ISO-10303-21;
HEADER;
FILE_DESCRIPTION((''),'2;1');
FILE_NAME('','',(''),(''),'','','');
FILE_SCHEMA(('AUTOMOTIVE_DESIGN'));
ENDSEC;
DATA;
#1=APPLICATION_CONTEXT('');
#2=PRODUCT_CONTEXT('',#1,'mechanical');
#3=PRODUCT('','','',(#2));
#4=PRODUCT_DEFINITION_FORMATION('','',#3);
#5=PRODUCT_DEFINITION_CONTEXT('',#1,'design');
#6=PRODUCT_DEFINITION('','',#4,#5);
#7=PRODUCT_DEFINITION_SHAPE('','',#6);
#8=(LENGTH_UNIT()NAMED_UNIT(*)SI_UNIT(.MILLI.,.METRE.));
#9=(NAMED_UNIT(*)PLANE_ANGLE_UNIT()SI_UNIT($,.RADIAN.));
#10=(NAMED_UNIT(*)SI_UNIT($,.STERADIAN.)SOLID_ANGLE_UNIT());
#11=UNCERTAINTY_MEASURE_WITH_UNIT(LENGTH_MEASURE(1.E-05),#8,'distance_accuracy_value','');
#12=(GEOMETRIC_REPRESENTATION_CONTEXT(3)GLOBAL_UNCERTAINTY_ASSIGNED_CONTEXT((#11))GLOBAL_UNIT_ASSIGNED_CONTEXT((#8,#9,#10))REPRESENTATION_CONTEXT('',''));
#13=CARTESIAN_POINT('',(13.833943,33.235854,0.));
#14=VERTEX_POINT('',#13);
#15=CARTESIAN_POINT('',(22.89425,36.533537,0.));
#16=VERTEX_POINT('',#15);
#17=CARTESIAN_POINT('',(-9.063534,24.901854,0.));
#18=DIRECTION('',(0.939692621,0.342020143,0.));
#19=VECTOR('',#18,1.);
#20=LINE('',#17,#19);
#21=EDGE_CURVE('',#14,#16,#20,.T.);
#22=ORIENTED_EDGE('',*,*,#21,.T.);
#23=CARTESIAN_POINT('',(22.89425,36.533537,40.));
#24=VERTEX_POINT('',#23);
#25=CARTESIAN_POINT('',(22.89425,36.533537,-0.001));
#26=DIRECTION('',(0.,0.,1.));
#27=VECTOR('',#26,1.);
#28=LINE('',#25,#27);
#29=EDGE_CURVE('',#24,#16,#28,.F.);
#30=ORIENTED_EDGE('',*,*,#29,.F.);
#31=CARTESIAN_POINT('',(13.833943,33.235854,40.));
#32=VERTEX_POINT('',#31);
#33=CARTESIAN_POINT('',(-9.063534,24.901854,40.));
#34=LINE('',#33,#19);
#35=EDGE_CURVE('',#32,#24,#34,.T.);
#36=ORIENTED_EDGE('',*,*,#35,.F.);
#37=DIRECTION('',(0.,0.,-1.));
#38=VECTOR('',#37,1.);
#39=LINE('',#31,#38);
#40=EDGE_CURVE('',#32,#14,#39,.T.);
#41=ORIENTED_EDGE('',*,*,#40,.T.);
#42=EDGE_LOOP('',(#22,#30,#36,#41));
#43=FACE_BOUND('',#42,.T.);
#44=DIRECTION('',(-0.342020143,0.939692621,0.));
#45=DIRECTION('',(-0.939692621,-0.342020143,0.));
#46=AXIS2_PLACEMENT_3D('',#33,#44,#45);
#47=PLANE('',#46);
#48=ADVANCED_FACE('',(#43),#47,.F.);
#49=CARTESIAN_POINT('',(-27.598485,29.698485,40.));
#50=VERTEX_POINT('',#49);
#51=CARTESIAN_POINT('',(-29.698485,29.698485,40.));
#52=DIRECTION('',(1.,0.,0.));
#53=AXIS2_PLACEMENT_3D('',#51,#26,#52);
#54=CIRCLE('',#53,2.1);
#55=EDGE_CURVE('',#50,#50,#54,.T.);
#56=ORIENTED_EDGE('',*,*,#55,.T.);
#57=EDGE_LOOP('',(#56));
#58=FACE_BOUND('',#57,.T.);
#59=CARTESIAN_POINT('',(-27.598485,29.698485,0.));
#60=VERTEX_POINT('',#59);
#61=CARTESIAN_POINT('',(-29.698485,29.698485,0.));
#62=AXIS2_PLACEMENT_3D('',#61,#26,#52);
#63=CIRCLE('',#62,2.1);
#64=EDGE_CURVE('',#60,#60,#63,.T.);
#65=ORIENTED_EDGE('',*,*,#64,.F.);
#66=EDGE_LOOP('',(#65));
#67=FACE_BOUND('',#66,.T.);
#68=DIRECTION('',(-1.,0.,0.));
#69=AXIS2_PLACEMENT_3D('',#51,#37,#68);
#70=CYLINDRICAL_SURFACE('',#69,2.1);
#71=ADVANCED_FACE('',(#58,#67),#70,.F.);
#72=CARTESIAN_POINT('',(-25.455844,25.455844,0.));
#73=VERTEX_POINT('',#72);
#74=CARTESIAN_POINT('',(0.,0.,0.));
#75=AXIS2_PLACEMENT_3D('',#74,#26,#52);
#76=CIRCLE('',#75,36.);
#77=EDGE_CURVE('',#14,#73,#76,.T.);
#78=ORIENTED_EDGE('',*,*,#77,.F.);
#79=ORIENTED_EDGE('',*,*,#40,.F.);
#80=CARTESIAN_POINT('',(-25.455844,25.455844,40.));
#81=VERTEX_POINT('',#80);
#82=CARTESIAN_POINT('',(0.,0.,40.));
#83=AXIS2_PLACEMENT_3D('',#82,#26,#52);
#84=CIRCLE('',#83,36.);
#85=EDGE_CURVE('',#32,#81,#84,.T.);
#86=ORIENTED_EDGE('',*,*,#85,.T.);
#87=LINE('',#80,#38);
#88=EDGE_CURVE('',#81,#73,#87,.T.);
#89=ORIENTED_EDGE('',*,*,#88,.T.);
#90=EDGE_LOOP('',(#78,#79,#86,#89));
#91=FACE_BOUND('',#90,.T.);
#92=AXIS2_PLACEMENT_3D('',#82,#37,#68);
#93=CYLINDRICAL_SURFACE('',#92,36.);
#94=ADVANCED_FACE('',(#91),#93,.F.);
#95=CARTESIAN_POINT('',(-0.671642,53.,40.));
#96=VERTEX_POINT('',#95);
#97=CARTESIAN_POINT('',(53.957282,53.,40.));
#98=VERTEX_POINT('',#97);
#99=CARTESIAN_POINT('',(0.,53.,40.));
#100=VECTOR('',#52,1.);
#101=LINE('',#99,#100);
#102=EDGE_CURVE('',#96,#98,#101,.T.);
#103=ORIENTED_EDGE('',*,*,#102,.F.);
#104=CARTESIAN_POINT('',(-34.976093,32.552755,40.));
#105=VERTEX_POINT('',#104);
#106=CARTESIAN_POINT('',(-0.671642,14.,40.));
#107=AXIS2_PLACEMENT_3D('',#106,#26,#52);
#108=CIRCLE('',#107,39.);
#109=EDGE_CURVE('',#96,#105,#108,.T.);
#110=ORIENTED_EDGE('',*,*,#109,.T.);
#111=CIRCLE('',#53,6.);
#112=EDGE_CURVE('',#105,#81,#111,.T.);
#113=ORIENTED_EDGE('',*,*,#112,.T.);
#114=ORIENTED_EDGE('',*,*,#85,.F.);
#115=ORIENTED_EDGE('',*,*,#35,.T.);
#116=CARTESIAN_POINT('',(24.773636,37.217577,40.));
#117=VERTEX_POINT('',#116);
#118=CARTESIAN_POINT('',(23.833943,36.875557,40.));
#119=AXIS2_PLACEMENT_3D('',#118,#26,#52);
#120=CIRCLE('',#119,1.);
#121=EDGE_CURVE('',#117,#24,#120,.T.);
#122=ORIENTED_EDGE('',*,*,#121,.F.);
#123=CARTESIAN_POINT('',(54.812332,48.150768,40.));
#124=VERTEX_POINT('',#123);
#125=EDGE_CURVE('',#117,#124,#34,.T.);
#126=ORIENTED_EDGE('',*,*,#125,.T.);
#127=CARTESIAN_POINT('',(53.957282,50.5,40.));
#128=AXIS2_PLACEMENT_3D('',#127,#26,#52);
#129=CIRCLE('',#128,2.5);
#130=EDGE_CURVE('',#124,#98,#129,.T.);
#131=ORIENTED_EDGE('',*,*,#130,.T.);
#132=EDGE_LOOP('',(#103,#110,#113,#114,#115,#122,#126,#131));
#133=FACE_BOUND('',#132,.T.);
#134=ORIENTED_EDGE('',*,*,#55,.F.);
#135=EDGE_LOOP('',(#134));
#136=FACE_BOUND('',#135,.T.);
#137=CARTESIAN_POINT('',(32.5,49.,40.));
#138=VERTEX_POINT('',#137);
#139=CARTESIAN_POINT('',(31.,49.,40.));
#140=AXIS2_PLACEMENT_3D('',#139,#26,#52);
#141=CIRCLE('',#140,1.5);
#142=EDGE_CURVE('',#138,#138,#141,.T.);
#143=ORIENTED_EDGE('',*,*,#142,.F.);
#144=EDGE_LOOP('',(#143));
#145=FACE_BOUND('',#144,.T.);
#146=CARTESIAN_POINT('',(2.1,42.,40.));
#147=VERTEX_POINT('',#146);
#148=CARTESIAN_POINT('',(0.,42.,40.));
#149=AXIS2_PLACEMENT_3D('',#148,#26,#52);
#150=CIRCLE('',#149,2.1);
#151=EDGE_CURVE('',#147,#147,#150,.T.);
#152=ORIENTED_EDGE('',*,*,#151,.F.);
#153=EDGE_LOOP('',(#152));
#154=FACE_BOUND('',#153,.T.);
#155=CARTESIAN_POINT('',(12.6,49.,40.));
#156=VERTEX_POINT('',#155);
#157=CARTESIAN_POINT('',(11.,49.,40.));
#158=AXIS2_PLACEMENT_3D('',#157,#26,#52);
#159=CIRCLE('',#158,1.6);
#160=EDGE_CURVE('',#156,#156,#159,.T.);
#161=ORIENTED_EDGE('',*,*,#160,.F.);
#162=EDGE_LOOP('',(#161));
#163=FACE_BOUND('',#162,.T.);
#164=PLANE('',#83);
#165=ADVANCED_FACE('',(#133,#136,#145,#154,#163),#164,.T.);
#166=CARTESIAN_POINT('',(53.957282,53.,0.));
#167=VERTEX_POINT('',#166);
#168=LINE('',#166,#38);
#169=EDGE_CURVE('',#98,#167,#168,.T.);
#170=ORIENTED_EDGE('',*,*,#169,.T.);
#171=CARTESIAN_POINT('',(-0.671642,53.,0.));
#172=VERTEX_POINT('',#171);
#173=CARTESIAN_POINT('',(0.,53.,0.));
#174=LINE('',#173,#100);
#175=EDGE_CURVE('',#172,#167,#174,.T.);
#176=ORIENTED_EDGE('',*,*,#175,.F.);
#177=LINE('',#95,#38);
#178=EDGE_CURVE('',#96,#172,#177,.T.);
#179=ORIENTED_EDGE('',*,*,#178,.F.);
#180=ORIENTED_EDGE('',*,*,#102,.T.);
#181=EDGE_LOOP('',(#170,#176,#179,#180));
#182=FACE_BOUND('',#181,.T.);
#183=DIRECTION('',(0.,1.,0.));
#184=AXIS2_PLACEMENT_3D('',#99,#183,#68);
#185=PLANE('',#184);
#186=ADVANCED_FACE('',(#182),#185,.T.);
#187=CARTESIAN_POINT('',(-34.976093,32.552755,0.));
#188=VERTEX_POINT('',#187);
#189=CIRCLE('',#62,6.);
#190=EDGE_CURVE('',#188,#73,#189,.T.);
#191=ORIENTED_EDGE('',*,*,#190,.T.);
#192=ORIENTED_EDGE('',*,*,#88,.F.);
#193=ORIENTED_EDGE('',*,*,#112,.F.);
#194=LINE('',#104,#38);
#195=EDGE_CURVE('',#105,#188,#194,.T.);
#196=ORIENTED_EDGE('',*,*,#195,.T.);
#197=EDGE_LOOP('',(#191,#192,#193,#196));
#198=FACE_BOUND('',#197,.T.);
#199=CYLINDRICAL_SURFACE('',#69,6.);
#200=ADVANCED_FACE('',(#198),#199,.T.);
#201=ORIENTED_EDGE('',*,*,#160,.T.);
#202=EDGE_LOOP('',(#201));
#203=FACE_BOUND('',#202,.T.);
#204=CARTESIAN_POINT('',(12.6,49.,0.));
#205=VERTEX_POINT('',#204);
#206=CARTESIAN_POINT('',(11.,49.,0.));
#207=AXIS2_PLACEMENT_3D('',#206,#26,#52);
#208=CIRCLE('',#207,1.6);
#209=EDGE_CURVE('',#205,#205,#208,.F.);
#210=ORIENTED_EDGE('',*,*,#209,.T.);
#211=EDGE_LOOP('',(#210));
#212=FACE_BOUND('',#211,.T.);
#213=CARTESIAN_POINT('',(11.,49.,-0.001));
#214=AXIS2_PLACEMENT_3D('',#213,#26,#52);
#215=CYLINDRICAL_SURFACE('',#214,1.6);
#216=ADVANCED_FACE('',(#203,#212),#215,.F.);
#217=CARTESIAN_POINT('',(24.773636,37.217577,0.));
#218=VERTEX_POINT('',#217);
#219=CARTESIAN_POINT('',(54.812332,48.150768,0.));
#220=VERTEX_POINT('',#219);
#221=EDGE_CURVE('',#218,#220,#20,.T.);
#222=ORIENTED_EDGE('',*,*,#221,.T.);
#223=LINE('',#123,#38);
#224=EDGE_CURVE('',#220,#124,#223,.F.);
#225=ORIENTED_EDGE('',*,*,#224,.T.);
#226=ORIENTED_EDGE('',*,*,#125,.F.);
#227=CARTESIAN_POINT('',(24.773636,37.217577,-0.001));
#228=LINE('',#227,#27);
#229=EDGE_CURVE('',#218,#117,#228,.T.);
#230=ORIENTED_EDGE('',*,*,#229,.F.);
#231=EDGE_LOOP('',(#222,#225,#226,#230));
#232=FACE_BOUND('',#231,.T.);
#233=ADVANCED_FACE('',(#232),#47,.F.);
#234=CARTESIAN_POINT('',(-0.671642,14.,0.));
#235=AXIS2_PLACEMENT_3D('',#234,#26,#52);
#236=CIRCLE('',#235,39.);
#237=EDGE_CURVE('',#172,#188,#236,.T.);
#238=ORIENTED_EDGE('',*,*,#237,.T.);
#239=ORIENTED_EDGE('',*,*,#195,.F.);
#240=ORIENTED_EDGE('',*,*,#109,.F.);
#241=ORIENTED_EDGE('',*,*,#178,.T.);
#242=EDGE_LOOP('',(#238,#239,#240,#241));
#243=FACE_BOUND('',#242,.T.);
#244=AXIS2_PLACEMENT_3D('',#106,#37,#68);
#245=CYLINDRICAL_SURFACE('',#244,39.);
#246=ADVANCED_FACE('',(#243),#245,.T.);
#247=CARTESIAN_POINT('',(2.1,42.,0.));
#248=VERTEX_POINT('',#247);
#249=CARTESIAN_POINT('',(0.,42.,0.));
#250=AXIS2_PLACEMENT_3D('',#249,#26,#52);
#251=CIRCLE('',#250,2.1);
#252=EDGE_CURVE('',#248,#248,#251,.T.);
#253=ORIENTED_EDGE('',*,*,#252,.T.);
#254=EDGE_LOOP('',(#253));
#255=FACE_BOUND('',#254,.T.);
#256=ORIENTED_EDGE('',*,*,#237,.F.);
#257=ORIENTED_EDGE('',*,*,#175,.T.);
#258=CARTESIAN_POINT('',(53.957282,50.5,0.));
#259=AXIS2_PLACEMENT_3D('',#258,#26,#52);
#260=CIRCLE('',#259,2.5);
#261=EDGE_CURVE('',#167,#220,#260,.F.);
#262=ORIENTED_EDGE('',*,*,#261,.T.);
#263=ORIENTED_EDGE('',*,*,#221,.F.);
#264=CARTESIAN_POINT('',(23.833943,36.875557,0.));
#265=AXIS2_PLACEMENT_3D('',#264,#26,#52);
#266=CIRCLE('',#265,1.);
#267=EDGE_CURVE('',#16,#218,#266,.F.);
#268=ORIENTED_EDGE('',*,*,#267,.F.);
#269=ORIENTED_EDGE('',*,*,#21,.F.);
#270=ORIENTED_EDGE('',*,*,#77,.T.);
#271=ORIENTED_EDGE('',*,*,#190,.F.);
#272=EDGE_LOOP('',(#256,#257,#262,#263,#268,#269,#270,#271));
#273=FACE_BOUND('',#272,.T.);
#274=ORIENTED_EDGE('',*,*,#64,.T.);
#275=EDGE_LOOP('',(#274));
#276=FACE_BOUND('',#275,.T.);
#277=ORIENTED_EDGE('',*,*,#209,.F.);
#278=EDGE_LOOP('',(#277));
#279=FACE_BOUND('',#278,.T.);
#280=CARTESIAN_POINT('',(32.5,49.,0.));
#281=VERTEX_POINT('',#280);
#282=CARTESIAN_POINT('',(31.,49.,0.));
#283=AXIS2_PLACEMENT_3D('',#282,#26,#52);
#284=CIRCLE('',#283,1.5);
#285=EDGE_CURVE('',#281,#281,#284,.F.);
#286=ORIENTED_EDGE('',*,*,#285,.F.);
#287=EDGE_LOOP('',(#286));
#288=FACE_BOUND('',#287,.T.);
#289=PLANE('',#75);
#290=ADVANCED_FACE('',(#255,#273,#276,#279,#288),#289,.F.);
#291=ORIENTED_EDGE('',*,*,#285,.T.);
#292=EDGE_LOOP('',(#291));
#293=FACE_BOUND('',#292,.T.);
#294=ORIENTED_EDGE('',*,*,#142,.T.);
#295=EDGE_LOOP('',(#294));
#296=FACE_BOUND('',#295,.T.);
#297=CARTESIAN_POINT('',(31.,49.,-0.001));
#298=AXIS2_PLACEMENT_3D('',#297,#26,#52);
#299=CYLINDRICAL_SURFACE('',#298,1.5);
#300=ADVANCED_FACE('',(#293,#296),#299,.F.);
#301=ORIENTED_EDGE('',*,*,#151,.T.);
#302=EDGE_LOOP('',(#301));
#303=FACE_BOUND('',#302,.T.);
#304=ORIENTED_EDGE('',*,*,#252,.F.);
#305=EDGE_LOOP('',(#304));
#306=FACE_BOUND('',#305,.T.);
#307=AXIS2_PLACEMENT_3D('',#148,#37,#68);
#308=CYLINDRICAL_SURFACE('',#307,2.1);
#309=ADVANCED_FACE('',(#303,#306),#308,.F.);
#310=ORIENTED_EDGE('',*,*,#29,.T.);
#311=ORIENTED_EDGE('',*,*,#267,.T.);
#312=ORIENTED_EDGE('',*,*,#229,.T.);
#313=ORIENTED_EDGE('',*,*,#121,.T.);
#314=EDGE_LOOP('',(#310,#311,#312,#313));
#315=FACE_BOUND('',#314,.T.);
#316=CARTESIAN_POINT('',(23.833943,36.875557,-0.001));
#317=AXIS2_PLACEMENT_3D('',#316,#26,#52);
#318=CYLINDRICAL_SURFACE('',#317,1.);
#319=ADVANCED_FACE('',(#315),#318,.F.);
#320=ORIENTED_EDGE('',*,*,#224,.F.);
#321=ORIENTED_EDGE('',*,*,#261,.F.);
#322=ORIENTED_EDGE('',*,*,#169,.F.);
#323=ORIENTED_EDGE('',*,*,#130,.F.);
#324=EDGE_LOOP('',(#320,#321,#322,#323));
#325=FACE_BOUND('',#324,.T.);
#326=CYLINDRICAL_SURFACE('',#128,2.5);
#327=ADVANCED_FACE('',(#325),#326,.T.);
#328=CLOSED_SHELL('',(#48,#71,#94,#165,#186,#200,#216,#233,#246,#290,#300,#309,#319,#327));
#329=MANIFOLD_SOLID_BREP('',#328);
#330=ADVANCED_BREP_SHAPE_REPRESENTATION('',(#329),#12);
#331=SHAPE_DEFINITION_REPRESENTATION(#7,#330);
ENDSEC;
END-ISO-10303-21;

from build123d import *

# Parameters (mm, degrees)
SKETCH_1_R          = 2.1
SKETCH_1_R_2        = 6
EXTRUDE_1_DEPTH     = 40
FILLET_1_R          = 2.5
CUT_EXTRUDE_START   = -40
SKETCH_3_R          = 1.6
SKETCH_3_R_2        = 1.5
SKETCH_3_R_3        = 2.1
CUT_EXTRUDE_2_DEPTH = 40
CUT_EXTRUDE_3_REACH = 89.157
SKETCH_4_R          = 1


with BuildPart() as part:
    # 草图1 → 凸台-拉伸1 (new body)
    # profile 1 of 3: a face of its own
    with BuildSketch(Plane.XY):
        with BuildLine():
            Line((68.135486627, 53), (-0.671642545, 53))
            ThreePointArc((-0.671642545, 53), (15.918389352, 49.295479077), (29.356722765, 38.885684233))
            Line((29.356722765, 38.885684233), (68.135486627, 53))
        make_face()
    # profile 2 of 3: a face of its own
    with BuildSketch(Plane.XY):
        with BuildLine():
            ThreePointArc((29.356722765, 38.885684233), (15.918389352, 49.295479077), (-0.671642545, 53))
            ThreePointArc((-0.671642545, 53), (-20.639649059, 47.500428563), (-34.976092597, 32.552754602))
            ThreePointArc((-34.976092597, 32.552754602), (-28.226351446, 35.515083761), (-23.69848481, 29.69848481))
            ThreePointArc((-23.69848481, 29.69848481), (-24.155207625, 27.402384191), (-25.45584416, 25.455844085))
            ThreePointArc((-25.45584416, 25.455844085), (-6.992802508, 35.314313148), (13.833943007, 33.235854448))
            Line((13.833943007, 33.235854448), (29.356722765, 38.885684233))
        make_face()
        with Locations((0, 42)):
            Circle(SKETCH_1_R, mode=Mode.SUBTRACT)
    # profile 3 of 3: a face of its own
    with BuildSketch(Plane.XY):
        with Locations((-29.69848481, 29.69848481)):
            Circle(SKETCH_1_R_2)
        with Locations((-29.69848481, 29.69848481)):
            Circle(SKETCH_1_R, mode=Mode.SUBTRACT)
    extrude(amount=EXTRUDE_1_DEPTH)

    # 圆角1
    fillet_1_edges = [part.edges().sort_by_distance(p)[0] for p in [
        (68.135486627, 53, 20),
    ]]
    fillet(fillet_1_edges, radius=FILLET_1_R)

    # 草图3 → 切除-拉伸2 (cut)
    with BuildSketch(Plane.XY.offset(40).offset(CUT_EXTRUDE_START)):
        with Locations((11, 49)):
            Circle(SKETCH_3_R)
        with Locations((31, 49)):
            Circle(SKETCH_3_R_2)
        with Locations((0, 42)):
            Circle(SKETCH_3_R_3)
    extrude(amount=CUT_EXTRUDE_2_DEPTH, mode=Mode.SUBTRACT)

    # 草图4 → 切除-拉伸3 (cut, up to next)
    with BuildSketch(Plane.XY.offset(40), mode=Mode.PRIVATE) as cut_extrude_3_sk1:
        with Locations((23.833943007, 36.87555679)):
            Circle(SKETCH_4_R)
    cut_extrude_3_tool1 = extrude(cut_extrude_3_sk1.sketch, amount=-CUT_EXTRUDE_3_REACH, mode=Mode.PRIVATE) & part.part
    add(cut_extrude_3_tool1.solids().sort_by_distance((23.833943, 36.875557, 40))[0], mode=Mode.SUBTRACT)


solid = part.part
